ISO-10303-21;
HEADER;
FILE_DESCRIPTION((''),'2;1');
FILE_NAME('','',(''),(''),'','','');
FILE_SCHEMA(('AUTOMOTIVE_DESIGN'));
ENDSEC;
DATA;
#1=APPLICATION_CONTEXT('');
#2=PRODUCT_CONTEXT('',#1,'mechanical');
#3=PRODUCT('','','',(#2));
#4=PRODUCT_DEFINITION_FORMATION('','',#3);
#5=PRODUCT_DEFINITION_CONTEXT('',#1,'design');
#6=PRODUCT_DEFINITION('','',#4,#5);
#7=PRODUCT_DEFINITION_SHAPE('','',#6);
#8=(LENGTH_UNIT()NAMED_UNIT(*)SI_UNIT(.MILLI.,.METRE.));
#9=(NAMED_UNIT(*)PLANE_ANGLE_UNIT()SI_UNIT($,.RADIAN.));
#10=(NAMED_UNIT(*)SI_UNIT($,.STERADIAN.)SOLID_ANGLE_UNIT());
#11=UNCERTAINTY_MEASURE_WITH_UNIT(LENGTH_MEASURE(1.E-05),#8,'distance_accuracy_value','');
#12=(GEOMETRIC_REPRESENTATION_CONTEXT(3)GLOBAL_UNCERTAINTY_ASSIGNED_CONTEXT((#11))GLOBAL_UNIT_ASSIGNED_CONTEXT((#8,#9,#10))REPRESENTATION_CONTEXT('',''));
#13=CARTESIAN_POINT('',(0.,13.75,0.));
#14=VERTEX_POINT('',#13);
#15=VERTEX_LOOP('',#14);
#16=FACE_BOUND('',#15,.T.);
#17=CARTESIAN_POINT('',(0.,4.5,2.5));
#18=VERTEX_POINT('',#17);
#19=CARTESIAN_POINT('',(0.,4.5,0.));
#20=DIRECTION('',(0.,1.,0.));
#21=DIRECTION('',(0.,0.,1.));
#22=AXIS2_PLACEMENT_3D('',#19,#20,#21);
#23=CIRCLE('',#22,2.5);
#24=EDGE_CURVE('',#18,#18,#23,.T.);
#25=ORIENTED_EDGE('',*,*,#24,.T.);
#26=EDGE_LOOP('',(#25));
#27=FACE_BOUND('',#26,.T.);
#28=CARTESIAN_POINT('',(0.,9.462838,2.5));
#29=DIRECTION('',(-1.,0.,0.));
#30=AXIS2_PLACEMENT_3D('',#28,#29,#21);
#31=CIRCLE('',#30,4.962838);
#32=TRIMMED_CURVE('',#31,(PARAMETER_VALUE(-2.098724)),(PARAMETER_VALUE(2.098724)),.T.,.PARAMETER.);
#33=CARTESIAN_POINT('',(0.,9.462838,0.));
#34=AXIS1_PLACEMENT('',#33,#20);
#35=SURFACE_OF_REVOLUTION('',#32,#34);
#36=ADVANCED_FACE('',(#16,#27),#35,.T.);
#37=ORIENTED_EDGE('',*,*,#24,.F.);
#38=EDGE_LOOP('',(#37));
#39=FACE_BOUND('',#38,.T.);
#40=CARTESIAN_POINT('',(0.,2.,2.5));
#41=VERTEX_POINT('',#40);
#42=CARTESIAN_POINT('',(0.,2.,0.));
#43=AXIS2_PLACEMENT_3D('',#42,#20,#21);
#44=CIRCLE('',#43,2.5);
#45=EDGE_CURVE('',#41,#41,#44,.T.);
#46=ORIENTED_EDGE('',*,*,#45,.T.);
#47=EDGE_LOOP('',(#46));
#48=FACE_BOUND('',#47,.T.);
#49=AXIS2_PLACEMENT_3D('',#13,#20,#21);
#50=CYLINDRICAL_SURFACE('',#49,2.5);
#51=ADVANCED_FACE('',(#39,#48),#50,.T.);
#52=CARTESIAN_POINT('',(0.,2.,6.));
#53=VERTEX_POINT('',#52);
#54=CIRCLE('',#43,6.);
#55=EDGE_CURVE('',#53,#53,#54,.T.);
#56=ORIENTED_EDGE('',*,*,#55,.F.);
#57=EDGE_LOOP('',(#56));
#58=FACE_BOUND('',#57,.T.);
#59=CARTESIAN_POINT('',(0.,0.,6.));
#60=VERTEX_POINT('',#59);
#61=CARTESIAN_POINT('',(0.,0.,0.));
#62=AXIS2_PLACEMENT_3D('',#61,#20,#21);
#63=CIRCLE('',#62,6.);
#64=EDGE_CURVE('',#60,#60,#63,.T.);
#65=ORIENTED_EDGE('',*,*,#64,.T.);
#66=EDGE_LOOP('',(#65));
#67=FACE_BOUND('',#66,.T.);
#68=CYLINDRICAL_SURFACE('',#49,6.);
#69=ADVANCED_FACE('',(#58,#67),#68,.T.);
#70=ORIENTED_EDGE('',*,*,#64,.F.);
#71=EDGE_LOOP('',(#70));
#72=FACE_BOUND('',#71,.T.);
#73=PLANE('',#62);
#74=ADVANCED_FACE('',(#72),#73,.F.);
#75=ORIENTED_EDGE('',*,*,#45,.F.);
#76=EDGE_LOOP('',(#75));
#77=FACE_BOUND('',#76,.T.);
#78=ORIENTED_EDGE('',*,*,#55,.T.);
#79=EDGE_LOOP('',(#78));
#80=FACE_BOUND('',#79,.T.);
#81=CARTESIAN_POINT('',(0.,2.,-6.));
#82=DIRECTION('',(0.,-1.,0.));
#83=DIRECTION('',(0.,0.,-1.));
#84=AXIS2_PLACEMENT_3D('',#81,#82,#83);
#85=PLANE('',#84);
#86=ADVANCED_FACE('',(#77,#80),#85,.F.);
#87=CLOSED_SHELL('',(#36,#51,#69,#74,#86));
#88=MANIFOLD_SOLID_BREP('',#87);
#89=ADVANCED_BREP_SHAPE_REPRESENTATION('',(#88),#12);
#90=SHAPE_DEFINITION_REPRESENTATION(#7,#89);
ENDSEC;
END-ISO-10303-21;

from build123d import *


with BuildPart() as part:
    # Sketch1 → Revolve1 (revolve)
    with BuildSketch(Plane(origin=(0, 0, 0), x_dir=(0, 0, -1), z_dir=(1, 0, 0))):
        with BuildLine():
            Line((0, 0), (6, 0))
            Line((6, 0), (6, 2))
            Line((6, 2), (2.5, 2))
            Line((2.5, 2), (2.5, 4.5))
            ThreePointArc((2.5, 4.5), (7.290941974, 10.75768702), (0, 13.75))
            Line((0, 13.75), (0, 0))
        make_face()
    revolve(axis=Axis((0, 13.75, 0), (0, -1, 0)))


solid = part.part
